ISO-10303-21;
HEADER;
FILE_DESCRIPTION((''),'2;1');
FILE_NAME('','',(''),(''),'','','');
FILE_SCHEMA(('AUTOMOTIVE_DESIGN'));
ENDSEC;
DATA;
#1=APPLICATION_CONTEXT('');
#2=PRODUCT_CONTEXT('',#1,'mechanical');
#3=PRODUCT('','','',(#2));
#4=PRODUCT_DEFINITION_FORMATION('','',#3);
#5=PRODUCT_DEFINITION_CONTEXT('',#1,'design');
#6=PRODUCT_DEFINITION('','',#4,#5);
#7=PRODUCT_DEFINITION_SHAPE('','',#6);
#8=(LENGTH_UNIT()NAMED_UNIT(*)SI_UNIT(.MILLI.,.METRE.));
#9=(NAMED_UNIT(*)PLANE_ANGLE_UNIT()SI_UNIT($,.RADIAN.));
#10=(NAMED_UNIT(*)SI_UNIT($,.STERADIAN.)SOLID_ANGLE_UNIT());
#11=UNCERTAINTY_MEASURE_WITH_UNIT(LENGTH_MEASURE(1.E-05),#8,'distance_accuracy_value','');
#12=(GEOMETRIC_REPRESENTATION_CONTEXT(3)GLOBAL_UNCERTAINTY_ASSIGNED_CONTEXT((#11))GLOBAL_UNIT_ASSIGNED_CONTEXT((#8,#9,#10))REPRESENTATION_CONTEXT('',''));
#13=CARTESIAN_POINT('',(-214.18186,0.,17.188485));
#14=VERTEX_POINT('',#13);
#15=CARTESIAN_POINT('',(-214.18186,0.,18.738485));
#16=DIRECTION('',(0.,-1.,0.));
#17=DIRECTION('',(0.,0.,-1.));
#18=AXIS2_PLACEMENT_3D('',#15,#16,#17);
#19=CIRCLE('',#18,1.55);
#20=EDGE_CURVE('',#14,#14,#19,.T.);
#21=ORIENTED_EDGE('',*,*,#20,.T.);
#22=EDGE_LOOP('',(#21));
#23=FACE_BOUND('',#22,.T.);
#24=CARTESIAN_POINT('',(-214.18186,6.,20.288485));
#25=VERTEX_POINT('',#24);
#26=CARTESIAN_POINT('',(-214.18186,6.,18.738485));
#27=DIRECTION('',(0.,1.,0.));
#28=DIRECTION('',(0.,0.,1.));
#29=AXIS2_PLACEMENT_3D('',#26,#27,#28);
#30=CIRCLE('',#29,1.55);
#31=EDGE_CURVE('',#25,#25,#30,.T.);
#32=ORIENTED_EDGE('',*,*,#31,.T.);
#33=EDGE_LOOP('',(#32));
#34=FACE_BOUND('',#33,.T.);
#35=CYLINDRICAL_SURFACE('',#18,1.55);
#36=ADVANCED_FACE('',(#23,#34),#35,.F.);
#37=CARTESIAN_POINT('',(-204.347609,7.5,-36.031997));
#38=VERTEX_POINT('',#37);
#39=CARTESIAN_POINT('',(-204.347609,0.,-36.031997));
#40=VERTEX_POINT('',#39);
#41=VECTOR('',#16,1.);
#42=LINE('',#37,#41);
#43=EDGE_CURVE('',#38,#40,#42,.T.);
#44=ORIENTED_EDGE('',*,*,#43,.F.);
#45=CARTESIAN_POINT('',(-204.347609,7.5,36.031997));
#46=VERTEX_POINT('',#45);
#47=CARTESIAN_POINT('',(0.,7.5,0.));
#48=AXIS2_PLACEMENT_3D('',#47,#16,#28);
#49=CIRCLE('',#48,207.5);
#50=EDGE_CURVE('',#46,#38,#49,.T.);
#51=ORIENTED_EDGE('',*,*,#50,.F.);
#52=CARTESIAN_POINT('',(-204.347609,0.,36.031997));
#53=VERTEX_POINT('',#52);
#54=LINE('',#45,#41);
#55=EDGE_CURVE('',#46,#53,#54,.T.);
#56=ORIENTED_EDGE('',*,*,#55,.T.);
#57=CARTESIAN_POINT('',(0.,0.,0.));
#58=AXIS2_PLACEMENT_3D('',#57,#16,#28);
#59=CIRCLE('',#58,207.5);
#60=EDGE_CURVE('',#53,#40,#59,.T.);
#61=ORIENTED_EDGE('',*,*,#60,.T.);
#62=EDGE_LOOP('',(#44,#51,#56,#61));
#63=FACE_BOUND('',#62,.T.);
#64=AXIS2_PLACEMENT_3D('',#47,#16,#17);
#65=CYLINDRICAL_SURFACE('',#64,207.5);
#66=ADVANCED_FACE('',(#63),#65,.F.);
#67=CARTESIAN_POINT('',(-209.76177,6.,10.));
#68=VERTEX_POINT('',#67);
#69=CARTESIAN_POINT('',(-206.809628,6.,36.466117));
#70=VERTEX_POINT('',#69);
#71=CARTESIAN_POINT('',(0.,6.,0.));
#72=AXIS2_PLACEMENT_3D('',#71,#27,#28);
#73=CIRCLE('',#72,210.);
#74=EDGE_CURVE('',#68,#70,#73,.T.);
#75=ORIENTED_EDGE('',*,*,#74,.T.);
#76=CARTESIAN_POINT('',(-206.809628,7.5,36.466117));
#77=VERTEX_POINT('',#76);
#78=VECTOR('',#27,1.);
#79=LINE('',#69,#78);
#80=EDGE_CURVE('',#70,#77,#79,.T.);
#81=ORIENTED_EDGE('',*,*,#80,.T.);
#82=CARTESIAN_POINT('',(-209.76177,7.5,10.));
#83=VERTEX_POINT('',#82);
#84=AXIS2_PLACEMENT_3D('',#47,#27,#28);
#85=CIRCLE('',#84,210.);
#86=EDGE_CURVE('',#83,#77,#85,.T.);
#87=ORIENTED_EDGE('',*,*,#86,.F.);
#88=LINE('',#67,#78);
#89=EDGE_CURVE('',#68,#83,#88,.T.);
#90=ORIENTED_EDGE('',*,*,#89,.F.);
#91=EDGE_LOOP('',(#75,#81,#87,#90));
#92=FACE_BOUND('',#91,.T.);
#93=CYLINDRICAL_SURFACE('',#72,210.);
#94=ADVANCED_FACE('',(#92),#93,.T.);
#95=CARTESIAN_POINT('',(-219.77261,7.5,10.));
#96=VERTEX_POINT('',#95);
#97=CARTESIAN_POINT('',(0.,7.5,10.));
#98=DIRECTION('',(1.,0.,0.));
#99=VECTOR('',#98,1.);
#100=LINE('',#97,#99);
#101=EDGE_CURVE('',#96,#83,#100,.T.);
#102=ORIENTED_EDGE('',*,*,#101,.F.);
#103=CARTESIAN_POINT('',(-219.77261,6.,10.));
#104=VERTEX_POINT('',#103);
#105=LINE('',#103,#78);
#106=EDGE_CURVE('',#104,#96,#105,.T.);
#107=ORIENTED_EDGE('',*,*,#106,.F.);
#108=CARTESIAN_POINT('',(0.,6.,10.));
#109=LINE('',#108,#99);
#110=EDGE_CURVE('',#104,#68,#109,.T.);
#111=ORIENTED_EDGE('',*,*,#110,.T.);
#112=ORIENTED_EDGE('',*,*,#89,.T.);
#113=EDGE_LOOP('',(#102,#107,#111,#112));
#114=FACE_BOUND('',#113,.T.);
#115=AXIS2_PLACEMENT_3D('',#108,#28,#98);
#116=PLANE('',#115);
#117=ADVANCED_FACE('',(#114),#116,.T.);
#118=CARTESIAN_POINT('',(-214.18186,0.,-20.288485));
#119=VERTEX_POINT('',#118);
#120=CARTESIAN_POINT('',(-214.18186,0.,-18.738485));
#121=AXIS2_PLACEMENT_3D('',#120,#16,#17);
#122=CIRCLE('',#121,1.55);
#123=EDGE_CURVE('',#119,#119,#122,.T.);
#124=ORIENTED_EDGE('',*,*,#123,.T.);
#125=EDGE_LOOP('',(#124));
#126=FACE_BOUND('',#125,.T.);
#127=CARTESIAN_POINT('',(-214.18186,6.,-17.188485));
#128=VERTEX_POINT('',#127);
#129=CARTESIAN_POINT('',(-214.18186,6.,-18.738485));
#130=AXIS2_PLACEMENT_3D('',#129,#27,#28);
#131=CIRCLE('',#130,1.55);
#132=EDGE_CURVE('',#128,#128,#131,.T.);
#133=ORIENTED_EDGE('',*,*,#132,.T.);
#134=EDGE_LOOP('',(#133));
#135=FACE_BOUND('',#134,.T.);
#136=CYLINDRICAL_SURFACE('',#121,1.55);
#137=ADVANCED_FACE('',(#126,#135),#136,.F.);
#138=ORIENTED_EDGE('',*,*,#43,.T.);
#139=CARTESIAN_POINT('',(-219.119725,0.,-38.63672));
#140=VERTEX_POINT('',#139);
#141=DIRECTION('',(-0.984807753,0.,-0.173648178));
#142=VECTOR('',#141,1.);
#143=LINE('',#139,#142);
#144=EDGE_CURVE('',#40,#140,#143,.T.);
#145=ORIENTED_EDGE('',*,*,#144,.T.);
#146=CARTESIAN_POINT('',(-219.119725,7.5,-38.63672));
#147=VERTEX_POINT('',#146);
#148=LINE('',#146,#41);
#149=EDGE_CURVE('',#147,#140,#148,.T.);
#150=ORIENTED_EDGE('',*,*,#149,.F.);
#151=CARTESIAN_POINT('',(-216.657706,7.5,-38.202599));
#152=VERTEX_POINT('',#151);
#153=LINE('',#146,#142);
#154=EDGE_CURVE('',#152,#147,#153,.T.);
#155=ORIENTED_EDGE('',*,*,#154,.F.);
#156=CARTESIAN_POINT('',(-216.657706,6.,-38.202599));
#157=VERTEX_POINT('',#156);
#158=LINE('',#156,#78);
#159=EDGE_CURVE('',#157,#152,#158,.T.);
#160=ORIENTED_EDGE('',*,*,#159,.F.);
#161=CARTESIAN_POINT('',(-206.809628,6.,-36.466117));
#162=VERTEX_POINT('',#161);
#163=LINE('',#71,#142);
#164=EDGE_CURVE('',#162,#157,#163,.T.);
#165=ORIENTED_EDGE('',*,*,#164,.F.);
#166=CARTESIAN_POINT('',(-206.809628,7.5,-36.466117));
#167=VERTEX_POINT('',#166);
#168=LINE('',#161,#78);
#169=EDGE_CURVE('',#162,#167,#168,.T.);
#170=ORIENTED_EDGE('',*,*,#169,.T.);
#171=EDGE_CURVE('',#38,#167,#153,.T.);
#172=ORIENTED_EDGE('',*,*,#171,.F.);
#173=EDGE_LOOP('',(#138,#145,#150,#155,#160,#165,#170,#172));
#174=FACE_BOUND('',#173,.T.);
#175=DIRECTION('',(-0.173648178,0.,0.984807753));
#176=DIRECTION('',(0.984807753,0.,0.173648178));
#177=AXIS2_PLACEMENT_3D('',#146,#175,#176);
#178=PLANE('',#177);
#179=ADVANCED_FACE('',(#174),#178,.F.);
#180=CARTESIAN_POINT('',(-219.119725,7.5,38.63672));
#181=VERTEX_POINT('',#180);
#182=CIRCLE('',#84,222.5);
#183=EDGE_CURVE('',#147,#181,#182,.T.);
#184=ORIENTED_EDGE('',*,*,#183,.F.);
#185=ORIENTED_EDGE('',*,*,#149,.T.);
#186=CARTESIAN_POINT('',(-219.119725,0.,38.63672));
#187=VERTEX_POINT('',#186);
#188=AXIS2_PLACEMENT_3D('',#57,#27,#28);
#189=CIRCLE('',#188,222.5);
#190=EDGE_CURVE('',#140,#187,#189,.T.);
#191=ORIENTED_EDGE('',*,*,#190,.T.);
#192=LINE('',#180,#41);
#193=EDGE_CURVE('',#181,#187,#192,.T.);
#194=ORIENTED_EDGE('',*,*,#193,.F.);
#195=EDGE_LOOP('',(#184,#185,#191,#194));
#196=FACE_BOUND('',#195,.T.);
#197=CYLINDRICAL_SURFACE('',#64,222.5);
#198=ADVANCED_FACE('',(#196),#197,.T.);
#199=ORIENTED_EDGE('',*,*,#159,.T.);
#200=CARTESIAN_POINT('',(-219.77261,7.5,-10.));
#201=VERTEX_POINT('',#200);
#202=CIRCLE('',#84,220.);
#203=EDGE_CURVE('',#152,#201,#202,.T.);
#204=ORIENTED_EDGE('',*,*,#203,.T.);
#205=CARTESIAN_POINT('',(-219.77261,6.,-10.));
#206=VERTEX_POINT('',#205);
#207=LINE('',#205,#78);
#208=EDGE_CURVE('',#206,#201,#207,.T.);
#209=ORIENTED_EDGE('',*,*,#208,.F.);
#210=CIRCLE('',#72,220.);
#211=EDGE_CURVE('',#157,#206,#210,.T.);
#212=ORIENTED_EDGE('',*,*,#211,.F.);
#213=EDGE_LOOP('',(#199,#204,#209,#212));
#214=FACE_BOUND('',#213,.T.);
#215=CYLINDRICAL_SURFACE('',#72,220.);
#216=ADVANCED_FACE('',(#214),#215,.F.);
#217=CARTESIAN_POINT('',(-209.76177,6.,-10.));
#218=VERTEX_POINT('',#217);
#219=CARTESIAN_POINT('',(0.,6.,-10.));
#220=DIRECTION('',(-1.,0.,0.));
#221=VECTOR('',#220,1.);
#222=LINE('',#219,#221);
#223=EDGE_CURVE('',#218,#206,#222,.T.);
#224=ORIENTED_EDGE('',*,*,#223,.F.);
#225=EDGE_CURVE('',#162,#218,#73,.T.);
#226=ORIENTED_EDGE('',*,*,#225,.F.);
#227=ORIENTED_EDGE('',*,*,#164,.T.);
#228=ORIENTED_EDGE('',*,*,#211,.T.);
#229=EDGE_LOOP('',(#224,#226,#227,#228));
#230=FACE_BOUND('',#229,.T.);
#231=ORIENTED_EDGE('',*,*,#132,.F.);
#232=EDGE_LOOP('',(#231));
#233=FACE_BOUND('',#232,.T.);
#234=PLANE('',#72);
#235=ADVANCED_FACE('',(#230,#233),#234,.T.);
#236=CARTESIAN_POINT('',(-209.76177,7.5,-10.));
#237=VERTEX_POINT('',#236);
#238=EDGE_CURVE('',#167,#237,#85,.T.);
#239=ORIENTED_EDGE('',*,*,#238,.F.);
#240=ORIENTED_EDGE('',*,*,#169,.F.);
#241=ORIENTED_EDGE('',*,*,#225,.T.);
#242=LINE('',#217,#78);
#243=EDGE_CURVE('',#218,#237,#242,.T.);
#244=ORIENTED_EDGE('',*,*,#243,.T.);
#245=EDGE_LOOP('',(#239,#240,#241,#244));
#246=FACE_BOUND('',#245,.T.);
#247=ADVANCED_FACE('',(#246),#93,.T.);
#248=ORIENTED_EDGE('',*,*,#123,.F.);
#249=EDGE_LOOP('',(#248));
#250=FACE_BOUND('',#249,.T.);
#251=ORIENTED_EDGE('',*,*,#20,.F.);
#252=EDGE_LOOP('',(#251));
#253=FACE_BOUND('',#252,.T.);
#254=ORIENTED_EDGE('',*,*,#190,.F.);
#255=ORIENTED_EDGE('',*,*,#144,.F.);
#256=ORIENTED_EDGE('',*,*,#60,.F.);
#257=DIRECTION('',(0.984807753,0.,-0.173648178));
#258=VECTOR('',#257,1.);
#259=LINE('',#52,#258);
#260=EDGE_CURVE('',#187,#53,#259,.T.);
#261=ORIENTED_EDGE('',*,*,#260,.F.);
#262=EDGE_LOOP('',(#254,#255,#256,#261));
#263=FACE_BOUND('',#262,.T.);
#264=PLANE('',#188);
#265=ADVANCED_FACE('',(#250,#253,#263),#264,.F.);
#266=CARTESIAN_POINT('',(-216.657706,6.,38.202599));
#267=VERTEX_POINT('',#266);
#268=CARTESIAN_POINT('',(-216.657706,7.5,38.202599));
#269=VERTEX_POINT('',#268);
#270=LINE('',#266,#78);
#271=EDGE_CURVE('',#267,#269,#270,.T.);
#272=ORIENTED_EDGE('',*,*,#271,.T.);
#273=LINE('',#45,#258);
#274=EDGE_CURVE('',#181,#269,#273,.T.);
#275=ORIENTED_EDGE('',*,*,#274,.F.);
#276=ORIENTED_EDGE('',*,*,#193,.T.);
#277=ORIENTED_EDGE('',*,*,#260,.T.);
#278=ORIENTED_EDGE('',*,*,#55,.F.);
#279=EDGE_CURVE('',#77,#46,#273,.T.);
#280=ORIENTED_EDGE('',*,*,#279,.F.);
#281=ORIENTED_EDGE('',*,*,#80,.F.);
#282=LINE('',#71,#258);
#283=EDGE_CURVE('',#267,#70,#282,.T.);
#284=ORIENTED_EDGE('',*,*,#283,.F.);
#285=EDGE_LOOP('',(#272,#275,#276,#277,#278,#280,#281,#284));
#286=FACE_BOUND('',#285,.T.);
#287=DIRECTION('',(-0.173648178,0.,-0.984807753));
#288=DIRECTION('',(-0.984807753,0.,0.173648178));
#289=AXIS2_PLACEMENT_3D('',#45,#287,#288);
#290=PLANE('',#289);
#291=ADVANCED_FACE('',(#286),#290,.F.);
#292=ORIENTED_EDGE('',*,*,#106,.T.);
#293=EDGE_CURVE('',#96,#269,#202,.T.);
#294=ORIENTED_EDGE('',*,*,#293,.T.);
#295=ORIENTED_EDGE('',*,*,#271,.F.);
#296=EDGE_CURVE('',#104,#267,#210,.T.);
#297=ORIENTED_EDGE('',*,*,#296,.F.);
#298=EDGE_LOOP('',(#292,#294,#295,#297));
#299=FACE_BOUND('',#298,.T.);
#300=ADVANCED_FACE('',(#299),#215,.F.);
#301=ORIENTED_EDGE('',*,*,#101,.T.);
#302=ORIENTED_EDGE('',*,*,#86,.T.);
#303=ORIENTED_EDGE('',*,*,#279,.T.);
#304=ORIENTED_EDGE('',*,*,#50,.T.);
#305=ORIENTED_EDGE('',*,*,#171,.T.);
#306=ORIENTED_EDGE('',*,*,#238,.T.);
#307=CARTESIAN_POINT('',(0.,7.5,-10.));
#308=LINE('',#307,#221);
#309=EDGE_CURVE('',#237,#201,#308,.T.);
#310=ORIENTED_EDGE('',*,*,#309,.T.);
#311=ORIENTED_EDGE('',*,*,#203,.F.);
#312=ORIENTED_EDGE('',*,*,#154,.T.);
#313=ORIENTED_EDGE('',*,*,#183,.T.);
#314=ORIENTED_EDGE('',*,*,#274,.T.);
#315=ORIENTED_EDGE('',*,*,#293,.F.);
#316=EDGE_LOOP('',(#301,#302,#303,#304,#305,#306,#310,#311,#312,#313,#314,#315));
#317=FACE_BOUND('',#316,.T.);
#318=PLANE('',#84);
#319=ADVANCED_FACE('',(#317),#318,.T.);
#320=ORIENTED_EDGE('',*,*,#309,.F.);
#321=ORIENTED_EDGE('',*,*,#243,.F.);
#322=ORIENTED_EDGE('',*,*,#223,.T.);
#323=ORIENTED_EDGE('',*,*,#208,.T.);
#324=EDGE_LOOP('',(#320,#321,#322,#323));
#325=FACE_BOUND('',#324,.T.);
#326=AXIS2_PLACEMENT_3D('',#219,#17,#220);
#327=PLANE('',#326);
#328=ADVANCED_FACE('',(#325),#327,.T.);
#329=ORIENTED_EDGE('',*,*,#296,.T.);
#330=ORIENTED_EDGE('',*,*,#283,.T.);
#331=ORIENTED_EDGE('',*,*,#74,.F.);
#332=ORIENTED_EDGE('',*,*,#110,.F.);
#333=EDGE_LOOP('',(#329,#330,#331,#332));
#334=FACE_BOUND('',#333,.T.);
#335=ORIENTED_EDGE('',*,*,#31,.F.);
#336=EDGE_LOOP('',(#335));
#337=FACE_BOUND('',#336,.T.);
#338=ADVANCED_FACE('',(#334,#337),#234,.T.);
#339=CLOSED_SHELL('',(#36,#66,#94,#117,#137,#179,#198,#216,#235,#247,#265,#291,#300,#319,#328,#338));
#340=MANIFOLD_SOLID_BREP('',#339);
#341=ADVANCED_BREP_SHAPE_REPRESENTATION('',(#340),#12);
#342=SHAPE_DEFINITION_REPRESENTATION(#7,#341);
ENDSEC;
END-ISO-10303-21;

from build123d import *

# Parameters (mm, degrees)
BOSS_EXTRUDE1_DEPTH        = 7.5
CUT_EXTRUDE1_DEPTH         = 1.5
F_3_1_3_1_DIAMETER_HOLE1_D = 3.1


with BuildPart() as part:
    # Sketch1 → Boss-Extrude1 (new body)
    with BuildSketch(Plane(origin=(0, 0, 0), x_dir=(1, 0, 0), z_dir=(0, 1, 0))):
        with BuildLine():
            Line((-219.119725045, 38.636719531), (-204.34760875, 36.031996866))
            ThreePointArc((-204.34760875, 36.031996866), (-207.5, 0), (-204.34760875, -36.031996866))
            Line((-204.34760875, -36.031996866), (-219.119725045, -38.636719531))
            ThreePointArc((-219.119725045, -38.636719531), (-222.5, 0), (-219.119725045, 38.636719531))
        make_face()
    extrude(amount=BOSS_EXTRUDE1_DEPTH)

    # Sketch2 → Cut-Extrude1 (cut)
    with BuildSketch(Plane(origin=(0, 7.5, 0), x_dir=(1, 0, 0), z_dir=(0, 1, 0))):
        with BuildLine():
            Line((-206.809628133, 36.46611731), (-216.657705663, 38.202599087))
            ThreePointArc((-216.657705663, 38.202599087), (-218.670303662, 24.151569236), (-219.772609758, 10))
            Line((-219.772609758, 10), (-209.761769634, 10))
            ThreePointArc((-209.761769634, 10), (-208.70564487, 23.279901188), (-206.809628133, 36.46611731))
        make_face()
        with BuildLine():
            Line((-209.761769634, -10), (-219.772609758, -10))
            ThreePointArc((-219.772609758, -10), (-218.670303662, -24.151569236), (-216.657705663, -38.202599087))
            Line((-216.657705663, -38.202599087), (-206.809628133, -36.46611731))
            ThreePointArc((-206.809628133, -36.46611731), (-208.70564487, -23.279901188), (-209.761769634, -10))
        make_face()
    extrude(amount=-CUT_EXTRUDE1_DEPTH, mode=Mode.SUBTRACT)

    # Ø3.1 (3.1) Diameter Hole1 (through all)
    with Locations(Plane(origin=(0, 0, 0), x_dir=(-1, 0, 0), z_dir=(0, -1, 0))):
        with Locations((214.18186009, -18.738484691), (214.18186009, 18.738484691)):
            Hole(F_3_1_3_1_DIAMETER_HOLE1_D / 2)


solid = part.part
